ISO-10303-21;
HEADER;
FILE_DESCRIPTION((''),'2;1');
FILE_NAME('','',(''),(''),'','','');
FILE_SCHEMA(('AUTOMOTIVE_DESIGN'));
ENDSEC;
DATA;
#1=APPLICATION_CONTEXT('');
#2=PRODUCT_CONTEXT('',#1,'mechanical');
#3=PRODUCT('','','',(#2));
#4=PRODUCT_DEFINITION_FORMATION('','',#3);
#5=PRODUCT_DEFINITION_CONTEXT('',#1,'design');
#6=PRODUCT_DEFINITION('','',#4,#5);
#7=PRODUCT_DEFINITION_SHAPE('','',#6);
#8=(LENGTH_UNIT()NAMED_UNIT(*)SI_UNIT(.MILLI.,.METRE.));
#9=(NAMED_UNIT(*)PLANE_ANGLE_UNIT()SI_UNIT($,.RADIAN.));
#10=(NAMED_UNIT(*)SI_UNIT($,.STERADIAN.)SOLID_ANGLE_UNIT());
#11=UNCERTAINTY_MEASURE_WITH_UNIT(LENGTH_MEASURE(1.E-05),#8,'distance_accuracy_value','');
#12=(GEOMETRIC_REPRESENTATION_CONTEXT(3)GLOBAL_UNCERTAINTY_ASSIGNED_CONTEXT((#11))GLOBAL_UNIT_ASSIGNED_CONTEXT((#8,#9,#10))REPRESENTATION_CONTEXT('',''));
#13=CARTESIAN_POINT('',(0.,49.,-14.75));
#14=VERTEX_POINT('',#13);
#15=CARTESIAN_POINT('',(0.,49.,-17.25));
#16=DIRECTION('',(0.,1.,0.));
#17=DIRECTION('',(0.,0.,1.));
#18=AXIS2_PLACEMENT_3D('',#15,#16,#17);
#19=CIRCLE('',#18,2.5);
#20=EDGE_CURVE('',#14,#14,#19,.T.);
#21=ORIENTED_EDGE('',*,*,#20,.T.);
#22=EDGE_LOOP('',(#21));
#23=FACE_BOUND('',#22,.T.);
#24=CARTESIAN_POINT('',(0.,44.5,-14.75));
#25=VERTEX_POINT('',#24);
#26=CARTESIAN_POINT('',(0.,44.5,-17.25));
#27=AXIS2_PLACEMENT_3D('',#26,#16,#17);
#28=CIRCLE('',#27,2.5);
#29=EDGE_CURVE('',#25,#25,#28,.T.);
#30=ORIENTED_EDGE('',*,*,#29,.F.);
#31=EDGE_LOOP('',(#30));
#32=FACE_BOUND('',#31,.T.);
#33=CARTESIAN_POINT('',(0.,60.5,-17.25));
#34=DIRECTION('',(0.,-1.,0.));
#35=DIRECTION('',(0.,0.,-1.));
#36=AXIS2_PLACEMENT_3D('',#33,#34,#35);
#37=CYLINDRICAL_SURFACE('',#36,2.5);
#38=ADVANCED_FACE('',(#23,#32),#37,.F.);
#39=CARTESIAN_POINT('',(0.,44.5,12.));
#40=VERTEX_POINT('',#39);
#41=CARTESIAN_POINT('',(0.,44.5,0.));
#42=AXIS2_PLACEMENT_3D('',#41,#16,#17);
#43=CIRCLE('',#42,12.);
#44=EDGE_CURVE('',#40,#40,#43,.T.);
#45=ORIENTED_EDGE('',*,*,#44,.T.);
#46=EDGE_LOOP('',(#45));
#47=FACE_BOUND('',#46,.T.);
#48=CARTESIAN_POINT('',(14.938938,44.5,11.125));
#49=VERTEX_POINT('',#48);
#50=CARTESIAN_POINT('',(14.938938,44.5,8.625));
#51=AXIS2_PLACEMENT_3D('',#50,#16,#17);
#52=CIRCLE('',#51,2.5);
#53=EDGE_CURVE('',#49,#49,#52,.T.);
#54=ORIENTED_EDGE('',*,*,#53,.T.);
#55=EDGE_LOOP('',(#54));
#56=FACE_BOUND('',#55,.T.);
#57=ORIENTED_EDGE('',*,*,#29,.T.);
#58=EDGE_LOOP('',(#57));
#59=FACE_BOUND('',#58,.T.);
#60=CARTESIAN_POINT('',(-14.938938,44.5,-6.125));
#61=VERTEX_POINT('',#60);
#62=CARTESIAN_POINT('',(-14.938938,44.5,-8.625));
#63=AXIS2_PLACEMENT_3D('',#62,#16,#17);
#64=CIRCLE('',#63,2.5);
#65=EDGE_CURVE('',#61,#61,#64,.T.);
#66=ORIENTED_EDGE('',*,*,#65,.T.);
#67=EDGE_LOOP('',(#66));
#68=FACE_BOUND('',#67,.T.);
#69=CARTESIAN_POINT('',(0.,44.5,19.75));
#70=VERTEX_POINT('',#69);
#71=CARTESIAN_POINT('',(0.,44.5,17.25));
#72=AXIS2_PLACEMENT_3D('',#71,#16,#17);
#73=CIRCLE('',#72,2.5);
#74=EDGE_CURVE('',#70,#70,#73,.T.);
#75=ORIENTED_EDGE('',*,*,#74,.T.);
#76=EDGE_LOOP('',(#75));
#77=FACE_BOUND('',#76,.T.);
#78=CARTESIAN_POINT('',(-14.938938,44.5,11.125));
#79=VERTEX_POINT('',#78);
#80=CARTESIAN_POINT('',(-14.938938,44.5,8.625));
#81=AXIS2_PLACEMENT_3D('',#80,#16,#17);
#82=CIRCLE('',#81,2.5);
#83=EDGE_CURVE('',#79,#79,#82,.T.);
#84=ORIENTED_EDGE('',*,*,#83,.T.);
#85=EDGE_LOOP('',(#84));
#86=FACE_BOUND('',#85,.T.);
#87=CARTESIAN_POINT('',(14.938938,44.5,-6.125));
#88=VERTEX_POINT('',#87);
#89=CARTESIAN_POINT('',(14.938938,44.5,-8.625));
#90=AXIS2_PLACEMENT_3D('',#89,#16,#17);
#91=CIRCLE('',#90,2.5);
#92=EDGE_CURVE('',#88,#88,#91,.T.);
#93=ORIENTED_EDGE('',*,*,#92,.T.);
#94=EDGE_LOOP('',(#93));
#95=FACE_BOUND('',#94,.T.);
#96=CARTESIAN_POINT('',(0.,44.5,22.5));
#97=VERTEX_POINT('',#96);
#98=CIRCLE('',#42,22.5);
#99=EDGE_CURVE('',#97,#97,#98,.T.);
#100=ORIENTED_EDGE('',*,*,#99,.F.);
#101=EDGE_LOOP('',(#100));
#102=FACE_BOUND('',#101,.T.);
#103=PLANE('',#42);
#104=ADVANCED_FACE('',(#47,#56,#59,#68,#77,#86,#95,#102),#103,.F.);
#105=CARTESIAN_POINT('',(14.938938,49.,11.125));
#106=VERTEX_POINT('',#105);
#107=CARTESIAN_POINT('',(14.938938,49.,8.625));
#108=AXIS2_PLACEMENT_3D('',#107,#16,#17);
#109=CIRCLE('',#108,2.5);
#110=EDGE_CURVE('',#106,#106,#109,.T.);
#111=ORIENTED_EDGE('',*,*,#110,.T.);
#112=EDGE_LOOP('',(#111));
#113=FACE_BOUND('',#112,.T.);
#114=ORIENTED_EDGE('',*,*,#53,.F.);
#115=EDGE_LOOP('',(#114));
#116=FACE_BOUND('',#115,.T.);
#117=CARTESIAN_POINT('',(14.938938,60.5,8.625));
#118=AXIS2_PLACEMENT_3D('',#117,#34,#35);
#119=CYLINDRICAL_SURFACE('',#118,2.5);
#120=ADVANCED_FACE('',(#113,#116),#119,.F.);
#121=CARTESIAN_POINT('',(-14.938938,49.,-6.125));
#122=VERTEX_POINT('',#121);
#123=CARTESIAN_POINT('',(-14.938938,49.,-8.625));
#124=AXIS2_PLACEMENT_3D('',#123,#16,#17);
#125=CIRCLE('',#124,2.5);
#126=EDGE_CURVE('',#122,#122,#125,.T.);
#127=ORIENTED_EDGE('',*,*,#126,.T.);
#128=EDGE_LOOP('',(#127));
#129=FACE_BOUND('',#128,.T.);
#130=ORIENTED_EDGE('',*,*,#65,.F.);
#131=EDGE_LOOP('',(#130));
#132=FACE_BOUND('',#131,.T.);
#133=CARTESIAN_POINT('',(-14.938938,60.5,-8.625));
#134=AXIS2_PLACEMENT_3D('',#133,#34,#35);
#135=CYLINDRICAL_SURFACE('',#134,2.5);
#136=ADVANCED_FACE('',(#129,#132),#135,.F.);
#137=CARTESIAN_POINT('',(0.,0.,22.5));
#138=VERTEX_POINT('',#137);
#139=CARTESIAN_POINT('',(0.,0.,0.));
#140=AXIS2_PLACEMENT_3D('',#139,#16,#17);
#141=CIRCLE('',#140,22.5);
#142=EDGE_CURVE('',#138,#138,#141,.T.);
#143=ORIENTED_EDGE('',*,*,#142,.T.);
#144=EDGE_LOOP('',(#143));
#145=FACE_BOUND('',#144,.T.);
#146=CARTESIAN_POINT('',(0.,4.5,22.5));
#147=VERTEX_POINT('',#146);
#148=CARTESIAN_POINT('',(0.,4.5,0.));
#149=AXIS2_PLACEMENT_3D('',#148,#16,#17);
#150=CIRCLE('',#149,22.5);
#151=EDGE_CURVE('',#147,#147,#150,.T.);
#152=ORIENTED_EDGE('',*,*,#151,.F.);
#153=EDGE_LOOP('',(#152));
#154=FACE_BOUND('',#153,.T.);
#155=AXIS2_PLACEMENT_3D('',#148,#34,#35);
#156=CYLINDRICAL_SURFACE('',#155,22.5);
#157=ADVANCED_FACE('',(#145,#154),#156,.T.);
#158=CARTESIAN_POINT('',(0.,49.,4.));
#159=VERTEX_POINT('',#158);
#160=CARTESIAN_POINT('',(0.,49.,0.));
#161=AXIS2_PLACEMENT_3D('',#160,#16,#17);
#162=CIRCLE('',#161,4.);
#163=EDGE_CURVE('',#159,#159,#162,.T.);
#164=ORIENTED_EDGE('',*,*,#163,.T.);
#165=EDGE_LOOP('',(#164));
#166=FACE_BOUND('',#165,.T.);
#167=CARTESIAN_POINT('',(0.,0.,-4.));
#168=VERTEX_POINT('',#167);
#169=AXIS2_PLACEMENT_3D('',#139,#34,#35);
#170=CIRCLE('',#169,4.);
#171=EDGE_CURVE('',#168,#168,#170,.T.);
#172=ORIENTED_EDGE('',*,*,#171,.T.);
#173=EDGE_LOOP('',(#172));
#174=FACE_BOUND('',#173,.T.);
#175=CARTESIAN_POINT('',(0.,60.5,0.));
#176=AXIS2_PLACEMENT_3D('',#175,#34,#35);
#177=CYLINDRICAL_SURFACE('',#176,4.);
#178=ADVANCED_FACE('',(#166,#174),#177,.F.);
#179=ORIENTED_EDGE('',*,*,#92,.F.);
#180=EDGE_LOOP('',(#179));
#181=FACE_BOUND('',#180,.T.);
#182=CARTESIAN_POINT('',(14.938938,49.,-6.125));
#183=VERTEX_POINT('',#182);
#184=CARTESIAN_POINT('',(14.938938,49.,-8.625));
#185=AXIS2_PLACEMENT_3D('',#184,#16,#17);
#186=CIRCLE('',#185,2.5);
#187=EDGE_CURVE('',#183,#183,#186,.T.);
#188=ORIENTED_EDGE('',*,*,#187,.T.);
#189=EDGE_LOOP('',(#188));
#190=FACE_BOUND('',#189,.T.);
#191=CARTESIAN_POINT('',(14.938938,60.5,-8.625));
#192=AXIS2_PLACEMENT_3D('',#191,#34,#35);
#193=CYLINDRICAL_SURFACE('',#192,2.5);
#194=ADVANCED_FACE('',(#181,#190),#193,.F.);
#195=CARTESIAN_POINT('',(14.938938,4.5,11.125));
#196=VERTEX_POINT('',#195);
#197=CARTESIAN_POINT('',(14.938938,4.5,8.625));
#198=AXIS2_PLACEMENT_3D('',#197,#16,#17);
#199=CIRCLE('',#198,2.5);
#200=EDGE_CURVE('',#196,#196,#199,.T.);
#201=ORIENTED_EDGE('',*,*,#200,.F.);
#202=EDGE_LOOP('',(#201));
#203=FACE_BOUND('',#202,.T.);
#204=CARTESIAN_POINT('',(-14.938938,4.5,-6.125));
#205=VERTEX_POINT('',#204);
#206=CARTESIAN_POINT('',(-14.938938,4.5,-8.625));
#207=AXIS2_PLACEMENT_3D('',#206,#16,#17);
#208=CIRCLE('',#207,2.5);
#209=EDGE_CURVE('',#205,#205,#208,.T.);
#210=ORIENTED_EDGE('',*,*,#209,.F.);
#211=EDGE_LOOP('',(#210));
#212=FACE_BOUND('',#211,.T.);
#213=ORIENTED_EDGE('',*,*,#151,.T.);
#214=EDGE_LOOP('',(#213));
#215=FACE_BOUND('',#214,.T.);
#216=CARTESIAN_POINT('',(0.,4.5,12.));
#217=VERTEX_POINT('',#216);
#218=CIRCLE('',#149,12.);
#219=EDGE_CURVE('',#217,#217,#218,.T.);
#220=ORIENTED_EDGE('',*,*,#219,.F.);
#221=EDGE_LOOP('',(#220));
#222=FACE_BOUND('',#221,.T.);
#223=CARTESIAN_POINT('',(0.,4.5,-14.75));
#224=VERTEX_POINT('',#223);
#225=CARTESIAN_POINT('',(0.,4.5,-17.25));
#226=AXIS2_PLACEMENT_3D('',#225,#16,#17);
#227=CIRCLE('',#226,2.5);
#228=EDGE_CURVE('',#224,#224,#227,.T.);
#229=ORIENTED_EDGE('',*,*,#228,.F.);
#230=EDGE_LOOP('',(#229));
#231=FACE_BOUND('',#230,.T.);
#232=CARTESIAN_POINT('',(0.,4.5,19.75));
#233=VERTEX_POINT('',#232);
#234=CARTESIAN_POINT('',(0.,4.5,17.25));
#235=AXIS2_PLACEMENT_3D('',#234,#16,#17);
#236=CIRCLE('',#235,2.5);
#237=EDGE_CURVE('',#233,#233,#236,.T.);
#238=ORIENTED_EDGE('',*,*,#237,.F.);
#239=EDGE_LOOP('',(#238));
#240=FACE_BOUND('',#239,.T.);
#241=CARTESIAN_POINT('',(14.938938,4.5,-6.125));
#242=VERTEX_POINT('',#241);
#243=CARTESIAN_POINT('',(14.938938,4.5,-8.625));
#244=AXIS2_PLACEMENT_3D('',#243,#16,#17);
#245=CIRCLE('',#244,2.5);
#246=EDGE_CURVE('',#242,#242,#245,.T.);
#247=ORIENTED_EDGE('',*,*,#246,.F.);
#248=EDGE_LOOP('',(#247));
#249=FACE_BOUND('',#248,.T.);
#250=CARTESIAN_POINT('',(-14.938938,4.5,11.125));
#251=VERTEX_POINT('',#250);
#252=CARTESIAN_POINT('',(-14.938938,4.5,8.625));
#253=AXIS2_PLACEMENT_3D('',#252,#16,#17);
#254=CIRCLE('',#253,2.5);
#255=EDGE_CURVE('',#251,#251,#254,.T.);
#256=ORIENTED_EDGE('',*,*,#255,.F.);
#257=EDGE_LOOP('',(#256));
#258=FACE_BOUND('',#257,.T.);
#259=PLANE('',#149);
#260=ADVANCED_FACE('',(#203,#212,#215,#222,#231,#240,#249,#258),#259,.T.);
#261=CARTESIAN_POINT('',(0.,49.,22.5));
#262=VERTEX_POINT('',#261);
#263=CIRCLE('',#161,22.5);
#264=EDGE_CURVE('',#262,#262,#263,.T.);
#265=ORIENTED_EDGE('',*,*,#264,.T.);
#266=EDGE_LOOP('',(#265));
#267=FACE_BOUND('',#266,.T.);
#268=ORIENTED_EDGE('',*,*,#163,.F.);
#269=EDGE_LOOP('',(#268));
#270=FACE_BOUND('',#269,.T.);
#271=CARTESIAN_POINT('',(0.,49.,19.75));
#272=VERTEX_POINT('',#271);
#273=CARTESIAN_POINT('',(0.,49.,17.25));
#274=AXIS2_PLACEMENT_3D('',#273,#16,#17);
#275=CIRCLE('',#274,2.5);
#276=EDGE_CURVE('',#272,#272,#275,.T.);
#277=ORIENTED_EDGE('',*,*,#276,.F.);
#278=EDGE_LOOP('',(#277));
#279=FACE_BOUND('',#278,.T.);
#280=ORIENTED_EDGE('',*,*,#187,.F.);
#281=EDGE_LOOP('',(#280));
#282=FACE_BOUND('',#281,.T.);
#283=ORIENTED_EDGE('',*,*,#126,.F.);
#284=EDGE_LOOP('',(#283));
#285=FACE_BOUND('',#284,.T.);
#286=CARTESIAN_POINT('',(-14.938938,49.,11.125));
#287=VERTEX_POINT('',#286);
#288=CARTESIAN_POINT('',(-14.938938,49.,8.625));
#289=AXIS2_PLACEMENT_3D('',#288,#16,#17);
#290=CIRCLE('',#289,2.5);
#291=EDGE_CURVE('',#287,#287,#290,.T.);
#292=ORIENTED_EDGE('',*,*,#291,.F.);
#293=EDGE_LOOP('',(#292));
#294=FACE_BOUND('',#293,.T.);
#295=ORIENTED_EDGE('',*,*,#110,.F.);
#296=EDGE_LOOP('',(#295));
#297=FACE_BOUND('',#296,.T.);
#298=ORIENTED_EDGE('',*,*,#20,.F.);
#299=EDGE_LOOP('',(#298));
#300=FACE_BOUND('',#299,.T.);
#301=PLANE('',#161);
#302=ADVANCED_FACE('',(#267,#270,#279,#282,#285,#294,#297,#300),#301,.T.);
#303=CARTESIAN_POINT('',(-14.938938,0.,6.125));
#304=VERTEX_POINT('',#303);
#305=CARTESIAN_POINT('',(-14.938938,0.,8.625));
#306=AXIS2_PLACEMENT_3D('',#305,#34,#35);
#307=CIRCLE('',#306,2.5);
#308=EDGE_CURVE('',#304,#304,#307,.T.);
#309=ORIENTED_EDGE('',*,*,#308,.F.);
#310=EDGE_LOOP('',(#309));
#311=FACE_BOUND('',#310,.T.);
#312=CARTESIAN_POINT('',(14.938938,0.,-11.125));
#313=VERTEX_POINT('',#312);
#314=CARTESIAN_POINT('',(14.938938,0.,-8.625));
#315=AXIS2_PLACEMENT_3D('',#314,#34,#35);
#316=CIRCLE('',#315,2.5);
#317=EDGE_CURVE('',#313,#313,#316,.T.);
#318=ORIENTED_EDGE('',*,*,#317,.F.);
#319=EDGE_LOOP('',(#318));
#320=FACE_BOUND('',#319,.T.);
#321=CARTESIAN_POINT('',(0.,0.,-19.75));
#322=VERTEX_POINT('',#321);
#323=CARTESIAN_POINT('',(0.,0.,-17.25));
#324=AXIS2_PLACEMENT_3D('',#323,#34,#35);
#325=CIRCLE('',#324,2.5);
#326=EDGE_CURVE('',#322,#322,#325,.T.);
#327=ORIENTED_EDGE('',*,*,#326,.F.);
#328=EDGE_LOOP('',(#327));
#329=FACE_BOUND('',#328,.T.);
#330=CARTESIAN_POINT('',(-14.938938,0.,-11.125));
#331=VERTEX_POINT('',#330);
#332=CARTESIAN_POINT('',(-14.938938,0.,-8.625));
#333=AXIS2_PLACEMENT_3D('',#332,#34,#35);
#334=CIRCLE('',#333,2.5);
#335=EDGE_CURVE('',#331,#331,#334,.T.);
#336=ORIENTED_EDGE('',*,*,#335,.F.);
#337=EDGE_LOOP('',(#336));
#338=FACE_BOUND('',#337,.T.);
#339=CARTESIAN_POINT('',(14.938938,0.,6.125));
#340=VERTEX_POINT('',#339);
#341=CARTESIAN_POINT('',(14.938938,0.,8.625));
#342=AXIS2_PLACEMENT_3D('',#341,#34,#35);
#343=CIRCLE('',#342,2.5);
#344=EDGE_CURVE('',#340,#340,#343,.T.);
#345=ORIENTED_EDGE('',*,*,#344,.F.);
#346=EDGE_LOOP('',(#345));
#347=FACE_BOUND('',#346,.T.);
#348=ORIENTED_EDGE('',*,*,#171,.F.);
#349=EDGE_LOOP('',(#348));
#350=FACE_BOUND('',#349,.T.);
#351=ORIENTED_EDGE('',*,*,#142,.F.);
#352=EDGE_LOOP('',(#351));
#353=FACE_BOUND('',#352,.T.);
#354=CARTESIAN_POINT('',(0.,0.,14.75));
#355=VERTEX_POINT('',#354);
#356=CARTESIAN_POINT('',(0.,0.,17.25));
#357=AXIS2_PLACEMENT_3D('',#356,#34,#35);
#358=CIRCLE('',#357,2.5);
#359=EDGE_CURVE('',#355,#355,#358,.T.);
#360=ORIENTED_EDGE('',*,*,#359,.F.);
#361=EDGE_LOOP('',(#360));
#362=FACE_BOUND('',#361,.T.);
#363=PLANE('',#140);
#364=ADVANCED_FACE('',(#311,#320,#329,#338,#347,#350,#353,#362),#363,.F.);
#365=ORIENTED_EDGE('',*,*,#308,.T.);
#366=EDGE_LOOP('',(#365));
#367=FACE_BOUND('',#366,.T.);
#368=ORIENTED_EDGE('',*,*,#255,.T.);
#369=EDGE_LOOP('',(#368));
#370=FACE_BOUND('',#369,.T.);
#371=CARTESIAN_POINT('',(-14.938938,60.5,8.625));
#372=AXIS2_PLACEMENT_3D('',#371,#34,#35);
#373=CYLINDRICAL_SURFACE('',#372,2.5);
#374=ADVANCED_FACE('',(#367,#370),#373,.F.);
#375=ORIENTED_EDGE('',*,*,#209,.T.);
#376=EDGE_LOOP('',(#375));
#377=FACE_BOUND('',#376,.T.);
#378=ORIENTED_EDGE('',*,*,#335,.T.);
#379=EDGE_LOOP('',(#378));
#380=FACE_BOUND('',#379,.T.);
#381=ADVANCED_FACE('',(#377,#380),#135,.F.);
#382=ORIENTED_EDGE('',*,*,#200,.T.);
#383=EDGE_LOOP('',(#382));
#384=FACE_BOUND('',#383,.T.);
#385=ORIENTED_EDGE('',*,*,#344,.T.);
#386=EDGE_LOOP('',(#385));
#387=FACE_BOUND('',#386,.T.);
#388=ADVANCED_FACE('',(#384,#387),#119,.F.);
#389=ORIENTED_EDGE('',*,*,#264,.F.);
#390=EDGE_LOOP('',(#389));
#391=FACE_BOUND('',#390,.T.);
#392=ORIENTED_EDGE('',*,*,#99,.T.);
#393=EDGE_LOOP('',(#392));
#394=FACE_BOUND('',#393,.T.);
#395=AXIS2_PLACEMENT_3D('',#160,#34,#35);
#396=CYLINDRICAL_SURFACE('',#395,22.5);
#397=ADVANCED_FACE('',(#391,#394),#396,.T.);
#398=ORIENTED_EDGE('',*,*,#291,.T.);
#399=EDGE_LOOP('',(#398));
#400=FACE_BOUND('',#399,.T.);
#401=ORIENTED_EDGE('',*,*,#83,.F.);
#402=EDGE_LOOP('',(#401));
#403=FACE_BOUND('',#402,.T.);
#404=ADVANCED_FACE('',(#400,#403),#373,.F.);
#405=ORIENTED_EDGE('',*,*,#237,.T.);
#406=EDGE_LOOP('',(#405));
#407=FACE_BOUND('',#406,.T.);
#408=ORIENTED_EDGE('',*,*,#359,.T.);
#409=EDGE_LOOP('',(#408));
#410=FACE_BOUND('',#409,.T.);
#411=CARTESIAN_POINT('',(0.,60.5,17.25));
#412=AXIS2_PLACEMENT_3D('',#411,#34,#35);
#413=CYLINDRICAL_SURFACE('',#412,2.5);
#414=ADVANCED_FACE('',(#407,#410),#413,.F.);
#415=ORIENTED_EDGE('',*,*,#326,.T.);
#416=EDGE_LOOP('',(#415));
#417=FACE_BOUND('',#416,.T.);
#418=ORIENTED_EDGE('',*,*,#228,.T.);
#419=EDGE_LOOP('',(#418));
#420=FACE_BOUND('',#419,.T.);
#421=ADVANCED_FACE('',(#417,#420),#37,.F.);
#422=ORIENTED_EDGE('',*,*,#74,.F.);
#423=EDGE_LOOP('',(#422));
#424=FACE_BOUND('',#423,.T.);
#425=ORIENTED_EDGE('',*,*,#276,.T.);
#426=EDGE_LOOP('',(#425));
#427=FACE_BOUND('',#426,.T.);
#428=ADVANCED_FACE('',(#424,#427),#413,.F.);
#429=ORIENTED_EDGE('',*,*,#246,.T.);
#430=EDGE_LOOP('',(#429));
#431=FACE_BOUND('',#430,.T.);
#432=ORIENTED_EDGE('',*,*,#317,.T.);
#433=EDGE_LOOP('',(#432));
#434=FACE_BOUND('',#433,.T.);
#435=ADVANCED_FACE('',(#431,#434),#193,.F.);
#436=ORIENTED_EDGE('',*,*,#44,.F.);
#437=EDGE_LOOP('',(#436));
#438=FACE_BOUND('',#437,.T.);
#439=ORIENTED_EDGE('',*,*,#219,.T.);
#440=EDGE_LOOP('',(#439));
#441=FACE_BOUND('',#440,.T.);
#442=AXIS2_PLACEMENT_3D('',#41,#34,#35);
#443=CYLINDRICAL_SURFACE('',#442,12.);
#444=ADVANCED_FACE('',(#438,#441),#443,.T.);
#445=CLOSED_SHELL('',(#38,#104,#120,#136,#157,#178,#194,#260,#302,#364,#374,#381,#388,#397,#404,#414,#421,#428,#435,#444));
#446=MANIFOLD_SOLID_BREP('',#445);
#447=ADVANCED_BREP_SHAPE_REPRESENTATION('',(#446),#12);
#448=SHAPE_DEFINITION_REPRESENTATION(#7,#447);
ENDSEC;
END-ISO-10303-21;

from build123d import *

# Parameters (mm, degrees)
SKETCH1_R           = 22.5
BOSS_EXTRUDE1_DEPTH = 4.5
SKETCH2_R           = 12
BOSS_EXTRUDE2_DEPTH = 40
SKETCH3_R           = 22.5
BOSS_EXTRUDE3_DEPTH = 4.5
SKETCH4_R           = 4
CUT_EXTRUDE1_DEPTH  = 60.5
SKETCH5_R           = 2.5
CUT_EXTRUDE2_DEPTH  = 60.5


with BuildPart() as part:
    # Sketch1 → Boss-Extrude1 (new body)
    with BuildSketch(Plane(origin=(0, 0, 0), x_dir=(1, 0, 0), z_dir=(0, 1, 0))):
        Circle(SKETCH1_R)
    extrude(amount=BOSS_EXTRUDE1_DEPTH)

    # Sketch2 → Boss-Extrude2 (add)
    with BuildSketch(Plane(origin=(0, 4.5, 0), x_dir=(1, 0, 0), z_dir=(0, 1, 0))):
        Circle(SKETCH2_R)
    extrude(amount=BOSS_EXTRUDE2_DEPTH)

    # Sketch3 → Boss-Extrude3 (add)
    with BuildSketch(Plane(origin=(0, 44.5, 0), x_dir=(1, 0, 0), z_dir=(0, 1, 0))):
        Circle(SKETCH3_R)
    extrude(amount=BOSS_EXTRUDE3_DEPTH)

    # Sketch4 → Cut-Extrude1 (cut)
    with BuildSketch(Plane.XZ):
        Circle(SKETCH4_R)
    extrude(amount=-CUT_EXTRUDE1_DEPTH, mode=Mode.SUBTRACT)

    # Sketch5 → Cut-Extrude2 (cut)
    with BuildSketch(Plane.XZ):
        with Locations((0, 17.25)):
            Circle(SKETCH5_R)
        with Locations((14.938938215, 8.625)):
            Circle(SKETCH5_R)
        with Locations((14.938938215, -8.625)):
            Circle(SKETCH5_R)
        with Locations((0, -17.25)):
            Circle(SKETCH5_R)
        with Locations((-14.938938215, -8.625)):
            Circle(SKETCH5_R)
        with Locations((-14.938938215, 8.625)):
            Circle(SKETCH5_R)
    extrude(amount=-CUT_EXTRUDE2_DEPTH, mode=Mode.SUBTRACT)


solid = part.part
